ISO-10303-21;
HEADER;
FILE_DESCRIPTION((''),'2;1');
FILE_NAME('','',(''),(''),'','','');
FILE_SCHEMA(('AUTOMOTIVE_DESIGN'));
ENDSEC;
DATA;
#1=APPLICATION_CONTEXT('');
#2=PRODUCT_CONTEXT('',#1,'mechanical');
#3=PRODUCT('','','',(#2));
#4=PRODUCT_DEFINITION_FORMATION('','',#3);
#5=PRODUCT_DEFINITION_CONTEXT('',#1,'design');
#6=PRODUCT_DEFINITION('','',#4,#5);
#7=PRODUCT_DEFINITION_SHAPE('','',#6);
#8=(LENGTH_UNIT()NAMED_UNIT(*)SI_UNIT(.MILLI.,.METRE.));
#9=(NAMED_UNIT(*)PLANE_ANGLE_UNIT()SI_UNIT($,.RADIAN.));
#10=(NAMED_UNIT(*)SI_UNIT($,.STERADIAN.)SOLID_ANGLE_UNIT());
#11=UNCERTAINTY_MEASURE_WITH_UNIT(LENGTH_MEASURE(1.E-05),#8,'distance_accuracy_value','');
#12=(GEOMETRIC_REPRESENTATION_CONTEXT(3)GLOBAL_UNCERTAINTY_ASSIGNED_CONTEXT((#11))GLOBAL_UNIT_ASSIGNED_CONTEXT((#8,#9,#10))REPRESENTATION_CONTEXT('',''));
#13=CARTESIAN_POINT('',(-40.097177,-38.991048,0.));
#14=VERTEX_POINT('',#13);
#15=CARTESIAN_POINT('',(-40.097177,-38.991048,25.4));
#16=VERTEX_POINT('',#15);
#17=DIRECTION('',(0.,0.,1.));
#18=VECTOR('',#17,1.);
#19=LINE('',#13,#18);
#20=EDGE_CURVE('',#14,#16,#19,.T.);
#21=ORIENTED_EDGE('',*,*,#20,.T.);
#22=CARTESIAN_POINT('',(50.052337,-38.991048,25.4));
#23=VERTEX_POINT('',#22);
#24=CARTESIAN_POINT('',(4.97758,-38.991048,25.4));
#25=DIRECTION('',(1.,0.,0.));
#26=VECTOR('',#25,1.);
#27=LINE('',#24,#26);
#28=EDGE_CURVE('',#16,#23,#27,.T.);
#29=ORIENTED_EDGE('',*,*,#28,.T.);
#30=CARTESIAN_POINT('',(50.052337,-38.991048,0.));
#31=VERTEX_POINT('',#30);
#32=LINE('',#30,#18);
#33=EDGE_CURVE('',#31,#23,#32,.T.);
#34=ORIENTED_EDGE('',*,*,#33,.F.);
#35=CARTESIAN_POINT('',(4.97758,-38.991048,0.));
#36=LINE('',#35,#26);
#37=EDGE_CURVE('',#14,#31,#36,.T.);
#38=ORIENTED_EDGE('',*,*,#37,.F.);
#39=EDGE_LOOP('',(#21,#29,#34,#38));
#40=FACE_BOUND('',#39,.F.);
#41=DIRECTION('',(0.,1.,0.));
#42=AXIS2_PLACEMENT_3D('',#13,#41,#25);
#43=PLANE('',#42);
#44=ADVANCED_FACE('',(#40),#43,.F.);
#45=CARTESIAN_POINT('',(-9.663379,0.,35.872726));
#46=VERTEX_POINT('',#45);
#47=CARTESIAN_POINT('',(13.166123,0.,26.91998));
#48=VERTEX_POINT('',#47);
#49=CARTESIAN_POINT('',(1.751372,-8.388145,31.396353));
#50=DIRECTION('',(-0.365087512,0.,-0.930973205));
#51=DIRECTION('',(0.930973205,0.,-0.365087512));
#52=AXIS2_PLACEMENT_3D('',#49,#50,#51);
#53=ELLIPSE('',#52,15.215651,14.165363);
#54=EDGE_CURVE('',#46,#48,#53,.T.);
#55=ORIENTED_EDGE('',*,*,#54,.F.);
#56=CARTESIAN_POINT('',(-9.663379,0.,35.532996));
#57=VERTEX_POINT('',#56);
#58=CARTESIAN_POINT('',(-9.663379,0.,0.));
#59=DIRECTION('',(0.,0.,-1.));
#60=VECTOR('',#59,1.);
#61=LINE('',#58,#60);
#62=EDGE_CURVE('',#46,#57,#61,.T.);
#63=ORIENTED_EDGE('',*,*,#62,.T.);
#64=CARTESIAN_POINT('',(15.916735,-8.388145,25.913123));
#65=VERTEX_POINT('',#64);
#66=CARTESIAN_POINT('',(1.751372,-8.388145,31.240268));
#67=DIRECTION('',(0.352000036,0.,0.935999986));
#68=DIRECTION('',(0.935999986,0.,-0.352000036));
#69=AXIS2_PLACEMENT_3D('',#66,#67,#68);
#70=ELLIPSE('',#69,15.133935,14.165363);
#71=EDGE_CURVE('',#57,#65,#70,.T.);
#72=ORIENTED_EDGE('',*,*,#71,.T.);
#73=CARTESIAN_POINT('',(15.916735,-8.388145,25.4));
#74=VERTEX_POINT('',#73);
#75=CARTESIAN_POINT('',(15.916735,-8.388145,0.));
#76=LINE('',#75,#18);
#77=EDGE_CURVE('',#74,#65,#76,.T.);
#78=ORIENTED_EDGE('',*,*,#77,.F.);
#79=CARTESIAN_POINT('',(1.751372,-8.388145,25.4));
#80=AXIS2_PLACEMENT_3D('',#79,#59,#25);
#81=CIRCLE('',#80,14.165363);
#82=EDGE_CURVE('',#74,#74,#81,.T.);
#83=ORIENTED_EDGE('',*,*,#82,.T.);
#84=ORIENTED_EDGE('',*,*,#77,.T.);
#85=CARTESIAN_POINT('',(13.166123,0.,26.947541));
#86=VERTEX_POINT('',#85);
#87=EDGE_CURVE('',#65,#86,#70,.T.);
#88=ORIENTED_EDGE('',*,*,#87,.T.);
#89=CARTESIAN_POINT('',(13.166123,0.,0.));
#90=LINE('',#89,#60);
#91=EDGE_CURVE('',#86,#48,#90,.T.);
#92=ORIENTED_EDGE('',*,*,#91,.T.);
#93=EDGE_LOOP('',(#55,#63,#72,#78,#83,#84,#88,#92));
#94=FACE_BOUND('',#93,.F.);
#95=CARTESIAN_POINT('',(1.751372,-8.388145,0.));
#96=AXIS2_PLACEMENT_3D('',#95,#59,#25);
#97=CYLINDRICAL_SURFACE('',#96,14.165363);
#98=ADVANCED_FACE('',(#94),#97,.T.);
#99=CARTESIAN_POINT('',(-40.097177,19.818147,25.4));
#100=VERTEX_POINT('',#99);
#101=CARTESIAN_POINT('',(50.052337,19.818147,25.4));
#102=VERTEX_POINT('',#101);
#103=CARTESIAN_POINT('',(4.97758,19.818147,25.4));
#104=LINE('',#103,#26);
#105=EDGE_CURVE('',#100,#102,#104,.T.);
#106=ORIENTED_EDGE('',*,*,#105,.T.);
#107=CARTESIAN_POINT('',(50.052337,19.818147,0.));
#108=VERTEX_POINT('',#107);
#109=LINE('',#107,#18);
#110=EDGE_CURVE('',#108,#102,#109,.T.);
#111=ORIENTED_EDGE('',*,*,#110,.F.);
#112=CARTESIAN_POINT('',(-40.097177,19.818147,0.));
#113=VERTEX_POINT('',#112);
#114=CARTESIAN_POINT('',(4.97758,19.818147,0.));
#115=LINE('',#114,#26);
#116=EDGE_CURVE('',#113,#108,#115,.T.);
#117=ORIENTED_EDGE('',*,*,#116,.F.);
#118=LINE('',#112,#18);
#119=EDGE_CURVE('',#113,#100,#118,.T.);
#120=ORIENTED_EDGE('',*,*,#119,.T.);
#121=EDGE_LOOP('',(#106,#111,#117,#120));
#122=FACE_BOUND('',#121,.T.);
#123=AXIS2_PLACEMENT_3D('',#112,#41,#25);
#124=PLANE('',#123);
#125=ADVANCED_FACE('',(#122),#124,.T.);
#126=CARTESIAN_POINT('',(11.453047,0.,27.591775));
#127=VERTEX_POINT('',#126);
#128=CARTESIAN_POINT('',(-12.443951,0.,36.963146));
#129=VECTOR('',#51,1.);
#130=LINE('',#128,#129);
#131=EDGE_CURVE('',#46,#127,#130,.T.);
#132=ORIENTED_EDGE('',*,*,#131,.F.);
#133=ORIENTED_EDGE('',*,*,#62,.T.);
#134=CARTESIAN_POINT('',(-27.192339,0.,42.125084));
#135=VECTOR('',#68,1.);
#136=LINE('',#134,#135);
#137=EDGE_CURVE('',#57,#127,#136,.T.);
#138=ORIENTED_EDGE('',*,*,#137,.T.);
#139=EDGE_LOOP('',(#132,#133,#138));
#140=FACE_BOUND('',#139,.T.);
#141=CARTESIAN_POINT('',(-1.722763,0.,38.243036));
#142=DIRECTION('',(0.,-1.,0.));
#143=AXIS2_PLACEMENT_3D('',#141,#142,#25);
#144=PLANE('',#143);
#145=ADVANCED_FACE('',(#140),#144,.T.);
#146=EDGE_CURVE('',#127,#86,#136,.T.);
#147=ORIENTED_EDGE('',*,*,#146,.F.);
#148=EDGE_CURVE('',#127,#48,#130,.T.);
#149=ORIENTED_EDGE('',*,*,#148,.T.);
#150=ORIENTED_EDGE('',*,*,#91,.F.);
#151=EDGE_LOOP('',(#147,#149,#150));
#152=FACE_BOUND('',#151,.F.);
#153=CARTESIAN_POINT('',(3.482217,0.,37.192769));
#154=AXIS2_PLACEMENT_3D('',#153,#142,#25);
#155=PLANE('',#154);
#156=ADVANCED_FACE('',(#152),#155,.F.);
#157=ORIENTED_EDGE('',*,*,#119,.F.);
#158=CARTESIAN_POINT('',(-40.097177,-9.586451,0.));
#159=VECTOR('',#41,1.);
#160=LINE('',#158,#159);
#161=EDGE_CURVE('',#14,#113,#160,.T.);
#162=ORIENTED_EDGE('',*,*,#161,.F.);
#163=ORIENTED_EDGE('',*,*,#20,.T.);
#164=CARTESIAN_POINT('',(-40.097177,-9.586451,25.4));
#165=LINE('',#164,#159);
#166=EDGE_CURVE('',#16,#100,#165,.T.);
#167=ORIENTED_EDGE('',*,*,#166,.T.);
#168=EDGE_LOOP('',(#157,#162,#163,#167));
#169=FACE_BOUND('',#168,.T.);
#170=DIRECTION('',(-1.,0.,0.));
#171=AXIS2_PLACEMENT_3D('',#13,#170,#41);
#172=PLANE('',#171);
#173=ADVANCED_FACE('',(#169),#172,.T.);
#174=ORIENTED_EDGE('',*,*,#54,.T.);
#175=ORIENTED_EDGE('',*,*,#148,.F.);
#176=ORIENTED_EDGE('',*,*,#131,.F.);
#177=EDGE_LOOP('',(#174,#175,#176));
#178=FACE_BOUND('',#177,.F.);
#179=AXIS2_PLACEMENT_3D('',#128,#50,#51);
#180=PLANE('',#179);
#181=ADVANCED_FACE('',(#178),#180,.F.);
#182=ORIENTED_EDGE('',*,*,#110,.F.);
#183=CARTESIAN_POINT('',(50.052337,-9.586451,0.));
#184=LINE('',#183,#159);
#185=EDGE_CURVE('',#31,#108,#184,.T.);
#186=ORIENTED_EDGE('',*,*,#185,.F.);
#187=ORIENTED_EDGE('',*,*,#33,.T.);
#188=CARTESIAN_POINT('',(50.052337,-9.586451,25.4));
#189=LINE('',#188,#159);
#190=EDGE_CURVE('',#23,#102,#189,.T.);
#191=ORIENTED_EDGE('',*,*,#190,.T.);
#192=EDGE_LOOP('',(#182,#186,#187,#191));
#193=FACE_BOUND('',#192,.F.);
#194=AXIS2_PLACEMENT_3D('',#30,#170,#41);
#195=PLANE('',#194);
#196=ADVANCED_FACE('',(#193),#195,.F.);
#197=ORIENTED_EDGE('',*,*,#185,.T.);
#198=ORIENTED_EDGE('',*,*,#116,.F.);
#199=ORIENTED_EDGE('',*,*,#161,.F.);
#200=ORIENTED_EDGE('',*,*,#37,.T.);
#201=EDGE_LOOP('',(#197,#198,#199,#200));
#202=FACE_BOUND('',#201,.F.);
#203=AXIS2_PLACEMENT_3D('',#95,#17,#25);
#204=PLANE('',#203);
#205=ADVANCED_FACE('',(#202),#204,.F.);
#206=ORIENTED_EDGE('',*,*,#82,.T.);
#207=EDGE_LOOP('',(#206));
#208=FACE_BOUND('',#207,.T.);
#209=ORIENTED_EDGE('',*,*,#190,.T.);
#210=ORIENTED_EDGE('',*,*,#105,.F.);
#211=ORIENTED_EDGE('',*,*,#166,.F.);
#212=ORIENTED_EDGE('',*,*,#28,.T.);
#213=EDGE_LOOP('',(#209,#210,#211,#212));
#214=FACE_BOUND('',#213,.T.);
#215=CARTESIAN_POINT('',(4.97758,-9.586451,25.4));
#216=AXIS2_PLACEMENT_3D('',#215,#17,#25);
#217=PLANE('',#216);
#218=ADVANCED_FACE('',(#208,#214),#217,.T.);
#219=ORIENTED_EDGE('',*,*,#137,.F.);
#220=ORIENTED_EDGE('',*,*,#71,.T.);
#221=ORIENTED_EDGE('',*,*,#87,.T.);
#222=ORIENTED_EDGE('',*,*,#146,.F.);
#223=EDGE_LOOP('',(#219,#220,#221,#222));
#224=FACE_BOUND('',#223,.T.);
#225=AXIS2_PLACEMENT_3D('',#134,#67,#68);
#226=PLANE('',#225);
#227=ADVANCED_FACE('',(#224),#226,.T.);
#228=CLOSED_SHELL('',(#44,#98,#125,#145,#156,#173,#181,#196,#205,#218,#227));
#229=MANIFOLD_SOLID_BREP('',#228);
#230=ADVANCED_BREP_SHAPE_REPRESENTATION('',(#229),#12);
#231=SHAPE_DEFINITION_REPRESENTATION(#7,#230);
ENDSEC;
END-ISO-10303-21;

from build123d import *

# Parameters (mm, degrees)
F0_W     = 90.149514
F0_H     = 58.809195
F1_DEPTH = 25.4
F2_R     = 14.165363
F3_DEPTH = 38.1
F5_DEPTH = 261.366
F7_DEPTH = 25.4


with BuildPart() as f1:
    # F0 (on Top) → F1 (new body)
    with BuildSketch(Plane.XY):
        with Locations((4.97758, -9.586451)):
            Rectangle(F0_W, F0_H)
    extrude(amount=F1_DEPTH)

    # F2 (on Top) → F3 (join)
    with BuildSketch(Plane.XY):
        with Locations((1.751372, -8.388145)):
            Circle(F2_R)
    extrude(amount=F3_DEPTH)

    # F4 (on Front) → F5 (cut)
    with BuildSketch(Plane.XZ):
        Polygon((15.946694, 45.627825), (-27.192339, 42.125084), (15.946694, 25.901856), align=None)
    extrude(amount=F5_DEPTH, mode=Mode.SUBTRACT)

    # F6 (on Front) → F7 (cut)
    with BuildSketch(Plane.XZ):
        Polygon((-12.628307, 43.968629), (-12.443951, 36.963146), (15.76234, 25.901856), (15.76234, 43.968629), align=None)
    extrude(amount=-F7_DEPTH, mode=Mode.SUBTRACT)


solid = f1.part
